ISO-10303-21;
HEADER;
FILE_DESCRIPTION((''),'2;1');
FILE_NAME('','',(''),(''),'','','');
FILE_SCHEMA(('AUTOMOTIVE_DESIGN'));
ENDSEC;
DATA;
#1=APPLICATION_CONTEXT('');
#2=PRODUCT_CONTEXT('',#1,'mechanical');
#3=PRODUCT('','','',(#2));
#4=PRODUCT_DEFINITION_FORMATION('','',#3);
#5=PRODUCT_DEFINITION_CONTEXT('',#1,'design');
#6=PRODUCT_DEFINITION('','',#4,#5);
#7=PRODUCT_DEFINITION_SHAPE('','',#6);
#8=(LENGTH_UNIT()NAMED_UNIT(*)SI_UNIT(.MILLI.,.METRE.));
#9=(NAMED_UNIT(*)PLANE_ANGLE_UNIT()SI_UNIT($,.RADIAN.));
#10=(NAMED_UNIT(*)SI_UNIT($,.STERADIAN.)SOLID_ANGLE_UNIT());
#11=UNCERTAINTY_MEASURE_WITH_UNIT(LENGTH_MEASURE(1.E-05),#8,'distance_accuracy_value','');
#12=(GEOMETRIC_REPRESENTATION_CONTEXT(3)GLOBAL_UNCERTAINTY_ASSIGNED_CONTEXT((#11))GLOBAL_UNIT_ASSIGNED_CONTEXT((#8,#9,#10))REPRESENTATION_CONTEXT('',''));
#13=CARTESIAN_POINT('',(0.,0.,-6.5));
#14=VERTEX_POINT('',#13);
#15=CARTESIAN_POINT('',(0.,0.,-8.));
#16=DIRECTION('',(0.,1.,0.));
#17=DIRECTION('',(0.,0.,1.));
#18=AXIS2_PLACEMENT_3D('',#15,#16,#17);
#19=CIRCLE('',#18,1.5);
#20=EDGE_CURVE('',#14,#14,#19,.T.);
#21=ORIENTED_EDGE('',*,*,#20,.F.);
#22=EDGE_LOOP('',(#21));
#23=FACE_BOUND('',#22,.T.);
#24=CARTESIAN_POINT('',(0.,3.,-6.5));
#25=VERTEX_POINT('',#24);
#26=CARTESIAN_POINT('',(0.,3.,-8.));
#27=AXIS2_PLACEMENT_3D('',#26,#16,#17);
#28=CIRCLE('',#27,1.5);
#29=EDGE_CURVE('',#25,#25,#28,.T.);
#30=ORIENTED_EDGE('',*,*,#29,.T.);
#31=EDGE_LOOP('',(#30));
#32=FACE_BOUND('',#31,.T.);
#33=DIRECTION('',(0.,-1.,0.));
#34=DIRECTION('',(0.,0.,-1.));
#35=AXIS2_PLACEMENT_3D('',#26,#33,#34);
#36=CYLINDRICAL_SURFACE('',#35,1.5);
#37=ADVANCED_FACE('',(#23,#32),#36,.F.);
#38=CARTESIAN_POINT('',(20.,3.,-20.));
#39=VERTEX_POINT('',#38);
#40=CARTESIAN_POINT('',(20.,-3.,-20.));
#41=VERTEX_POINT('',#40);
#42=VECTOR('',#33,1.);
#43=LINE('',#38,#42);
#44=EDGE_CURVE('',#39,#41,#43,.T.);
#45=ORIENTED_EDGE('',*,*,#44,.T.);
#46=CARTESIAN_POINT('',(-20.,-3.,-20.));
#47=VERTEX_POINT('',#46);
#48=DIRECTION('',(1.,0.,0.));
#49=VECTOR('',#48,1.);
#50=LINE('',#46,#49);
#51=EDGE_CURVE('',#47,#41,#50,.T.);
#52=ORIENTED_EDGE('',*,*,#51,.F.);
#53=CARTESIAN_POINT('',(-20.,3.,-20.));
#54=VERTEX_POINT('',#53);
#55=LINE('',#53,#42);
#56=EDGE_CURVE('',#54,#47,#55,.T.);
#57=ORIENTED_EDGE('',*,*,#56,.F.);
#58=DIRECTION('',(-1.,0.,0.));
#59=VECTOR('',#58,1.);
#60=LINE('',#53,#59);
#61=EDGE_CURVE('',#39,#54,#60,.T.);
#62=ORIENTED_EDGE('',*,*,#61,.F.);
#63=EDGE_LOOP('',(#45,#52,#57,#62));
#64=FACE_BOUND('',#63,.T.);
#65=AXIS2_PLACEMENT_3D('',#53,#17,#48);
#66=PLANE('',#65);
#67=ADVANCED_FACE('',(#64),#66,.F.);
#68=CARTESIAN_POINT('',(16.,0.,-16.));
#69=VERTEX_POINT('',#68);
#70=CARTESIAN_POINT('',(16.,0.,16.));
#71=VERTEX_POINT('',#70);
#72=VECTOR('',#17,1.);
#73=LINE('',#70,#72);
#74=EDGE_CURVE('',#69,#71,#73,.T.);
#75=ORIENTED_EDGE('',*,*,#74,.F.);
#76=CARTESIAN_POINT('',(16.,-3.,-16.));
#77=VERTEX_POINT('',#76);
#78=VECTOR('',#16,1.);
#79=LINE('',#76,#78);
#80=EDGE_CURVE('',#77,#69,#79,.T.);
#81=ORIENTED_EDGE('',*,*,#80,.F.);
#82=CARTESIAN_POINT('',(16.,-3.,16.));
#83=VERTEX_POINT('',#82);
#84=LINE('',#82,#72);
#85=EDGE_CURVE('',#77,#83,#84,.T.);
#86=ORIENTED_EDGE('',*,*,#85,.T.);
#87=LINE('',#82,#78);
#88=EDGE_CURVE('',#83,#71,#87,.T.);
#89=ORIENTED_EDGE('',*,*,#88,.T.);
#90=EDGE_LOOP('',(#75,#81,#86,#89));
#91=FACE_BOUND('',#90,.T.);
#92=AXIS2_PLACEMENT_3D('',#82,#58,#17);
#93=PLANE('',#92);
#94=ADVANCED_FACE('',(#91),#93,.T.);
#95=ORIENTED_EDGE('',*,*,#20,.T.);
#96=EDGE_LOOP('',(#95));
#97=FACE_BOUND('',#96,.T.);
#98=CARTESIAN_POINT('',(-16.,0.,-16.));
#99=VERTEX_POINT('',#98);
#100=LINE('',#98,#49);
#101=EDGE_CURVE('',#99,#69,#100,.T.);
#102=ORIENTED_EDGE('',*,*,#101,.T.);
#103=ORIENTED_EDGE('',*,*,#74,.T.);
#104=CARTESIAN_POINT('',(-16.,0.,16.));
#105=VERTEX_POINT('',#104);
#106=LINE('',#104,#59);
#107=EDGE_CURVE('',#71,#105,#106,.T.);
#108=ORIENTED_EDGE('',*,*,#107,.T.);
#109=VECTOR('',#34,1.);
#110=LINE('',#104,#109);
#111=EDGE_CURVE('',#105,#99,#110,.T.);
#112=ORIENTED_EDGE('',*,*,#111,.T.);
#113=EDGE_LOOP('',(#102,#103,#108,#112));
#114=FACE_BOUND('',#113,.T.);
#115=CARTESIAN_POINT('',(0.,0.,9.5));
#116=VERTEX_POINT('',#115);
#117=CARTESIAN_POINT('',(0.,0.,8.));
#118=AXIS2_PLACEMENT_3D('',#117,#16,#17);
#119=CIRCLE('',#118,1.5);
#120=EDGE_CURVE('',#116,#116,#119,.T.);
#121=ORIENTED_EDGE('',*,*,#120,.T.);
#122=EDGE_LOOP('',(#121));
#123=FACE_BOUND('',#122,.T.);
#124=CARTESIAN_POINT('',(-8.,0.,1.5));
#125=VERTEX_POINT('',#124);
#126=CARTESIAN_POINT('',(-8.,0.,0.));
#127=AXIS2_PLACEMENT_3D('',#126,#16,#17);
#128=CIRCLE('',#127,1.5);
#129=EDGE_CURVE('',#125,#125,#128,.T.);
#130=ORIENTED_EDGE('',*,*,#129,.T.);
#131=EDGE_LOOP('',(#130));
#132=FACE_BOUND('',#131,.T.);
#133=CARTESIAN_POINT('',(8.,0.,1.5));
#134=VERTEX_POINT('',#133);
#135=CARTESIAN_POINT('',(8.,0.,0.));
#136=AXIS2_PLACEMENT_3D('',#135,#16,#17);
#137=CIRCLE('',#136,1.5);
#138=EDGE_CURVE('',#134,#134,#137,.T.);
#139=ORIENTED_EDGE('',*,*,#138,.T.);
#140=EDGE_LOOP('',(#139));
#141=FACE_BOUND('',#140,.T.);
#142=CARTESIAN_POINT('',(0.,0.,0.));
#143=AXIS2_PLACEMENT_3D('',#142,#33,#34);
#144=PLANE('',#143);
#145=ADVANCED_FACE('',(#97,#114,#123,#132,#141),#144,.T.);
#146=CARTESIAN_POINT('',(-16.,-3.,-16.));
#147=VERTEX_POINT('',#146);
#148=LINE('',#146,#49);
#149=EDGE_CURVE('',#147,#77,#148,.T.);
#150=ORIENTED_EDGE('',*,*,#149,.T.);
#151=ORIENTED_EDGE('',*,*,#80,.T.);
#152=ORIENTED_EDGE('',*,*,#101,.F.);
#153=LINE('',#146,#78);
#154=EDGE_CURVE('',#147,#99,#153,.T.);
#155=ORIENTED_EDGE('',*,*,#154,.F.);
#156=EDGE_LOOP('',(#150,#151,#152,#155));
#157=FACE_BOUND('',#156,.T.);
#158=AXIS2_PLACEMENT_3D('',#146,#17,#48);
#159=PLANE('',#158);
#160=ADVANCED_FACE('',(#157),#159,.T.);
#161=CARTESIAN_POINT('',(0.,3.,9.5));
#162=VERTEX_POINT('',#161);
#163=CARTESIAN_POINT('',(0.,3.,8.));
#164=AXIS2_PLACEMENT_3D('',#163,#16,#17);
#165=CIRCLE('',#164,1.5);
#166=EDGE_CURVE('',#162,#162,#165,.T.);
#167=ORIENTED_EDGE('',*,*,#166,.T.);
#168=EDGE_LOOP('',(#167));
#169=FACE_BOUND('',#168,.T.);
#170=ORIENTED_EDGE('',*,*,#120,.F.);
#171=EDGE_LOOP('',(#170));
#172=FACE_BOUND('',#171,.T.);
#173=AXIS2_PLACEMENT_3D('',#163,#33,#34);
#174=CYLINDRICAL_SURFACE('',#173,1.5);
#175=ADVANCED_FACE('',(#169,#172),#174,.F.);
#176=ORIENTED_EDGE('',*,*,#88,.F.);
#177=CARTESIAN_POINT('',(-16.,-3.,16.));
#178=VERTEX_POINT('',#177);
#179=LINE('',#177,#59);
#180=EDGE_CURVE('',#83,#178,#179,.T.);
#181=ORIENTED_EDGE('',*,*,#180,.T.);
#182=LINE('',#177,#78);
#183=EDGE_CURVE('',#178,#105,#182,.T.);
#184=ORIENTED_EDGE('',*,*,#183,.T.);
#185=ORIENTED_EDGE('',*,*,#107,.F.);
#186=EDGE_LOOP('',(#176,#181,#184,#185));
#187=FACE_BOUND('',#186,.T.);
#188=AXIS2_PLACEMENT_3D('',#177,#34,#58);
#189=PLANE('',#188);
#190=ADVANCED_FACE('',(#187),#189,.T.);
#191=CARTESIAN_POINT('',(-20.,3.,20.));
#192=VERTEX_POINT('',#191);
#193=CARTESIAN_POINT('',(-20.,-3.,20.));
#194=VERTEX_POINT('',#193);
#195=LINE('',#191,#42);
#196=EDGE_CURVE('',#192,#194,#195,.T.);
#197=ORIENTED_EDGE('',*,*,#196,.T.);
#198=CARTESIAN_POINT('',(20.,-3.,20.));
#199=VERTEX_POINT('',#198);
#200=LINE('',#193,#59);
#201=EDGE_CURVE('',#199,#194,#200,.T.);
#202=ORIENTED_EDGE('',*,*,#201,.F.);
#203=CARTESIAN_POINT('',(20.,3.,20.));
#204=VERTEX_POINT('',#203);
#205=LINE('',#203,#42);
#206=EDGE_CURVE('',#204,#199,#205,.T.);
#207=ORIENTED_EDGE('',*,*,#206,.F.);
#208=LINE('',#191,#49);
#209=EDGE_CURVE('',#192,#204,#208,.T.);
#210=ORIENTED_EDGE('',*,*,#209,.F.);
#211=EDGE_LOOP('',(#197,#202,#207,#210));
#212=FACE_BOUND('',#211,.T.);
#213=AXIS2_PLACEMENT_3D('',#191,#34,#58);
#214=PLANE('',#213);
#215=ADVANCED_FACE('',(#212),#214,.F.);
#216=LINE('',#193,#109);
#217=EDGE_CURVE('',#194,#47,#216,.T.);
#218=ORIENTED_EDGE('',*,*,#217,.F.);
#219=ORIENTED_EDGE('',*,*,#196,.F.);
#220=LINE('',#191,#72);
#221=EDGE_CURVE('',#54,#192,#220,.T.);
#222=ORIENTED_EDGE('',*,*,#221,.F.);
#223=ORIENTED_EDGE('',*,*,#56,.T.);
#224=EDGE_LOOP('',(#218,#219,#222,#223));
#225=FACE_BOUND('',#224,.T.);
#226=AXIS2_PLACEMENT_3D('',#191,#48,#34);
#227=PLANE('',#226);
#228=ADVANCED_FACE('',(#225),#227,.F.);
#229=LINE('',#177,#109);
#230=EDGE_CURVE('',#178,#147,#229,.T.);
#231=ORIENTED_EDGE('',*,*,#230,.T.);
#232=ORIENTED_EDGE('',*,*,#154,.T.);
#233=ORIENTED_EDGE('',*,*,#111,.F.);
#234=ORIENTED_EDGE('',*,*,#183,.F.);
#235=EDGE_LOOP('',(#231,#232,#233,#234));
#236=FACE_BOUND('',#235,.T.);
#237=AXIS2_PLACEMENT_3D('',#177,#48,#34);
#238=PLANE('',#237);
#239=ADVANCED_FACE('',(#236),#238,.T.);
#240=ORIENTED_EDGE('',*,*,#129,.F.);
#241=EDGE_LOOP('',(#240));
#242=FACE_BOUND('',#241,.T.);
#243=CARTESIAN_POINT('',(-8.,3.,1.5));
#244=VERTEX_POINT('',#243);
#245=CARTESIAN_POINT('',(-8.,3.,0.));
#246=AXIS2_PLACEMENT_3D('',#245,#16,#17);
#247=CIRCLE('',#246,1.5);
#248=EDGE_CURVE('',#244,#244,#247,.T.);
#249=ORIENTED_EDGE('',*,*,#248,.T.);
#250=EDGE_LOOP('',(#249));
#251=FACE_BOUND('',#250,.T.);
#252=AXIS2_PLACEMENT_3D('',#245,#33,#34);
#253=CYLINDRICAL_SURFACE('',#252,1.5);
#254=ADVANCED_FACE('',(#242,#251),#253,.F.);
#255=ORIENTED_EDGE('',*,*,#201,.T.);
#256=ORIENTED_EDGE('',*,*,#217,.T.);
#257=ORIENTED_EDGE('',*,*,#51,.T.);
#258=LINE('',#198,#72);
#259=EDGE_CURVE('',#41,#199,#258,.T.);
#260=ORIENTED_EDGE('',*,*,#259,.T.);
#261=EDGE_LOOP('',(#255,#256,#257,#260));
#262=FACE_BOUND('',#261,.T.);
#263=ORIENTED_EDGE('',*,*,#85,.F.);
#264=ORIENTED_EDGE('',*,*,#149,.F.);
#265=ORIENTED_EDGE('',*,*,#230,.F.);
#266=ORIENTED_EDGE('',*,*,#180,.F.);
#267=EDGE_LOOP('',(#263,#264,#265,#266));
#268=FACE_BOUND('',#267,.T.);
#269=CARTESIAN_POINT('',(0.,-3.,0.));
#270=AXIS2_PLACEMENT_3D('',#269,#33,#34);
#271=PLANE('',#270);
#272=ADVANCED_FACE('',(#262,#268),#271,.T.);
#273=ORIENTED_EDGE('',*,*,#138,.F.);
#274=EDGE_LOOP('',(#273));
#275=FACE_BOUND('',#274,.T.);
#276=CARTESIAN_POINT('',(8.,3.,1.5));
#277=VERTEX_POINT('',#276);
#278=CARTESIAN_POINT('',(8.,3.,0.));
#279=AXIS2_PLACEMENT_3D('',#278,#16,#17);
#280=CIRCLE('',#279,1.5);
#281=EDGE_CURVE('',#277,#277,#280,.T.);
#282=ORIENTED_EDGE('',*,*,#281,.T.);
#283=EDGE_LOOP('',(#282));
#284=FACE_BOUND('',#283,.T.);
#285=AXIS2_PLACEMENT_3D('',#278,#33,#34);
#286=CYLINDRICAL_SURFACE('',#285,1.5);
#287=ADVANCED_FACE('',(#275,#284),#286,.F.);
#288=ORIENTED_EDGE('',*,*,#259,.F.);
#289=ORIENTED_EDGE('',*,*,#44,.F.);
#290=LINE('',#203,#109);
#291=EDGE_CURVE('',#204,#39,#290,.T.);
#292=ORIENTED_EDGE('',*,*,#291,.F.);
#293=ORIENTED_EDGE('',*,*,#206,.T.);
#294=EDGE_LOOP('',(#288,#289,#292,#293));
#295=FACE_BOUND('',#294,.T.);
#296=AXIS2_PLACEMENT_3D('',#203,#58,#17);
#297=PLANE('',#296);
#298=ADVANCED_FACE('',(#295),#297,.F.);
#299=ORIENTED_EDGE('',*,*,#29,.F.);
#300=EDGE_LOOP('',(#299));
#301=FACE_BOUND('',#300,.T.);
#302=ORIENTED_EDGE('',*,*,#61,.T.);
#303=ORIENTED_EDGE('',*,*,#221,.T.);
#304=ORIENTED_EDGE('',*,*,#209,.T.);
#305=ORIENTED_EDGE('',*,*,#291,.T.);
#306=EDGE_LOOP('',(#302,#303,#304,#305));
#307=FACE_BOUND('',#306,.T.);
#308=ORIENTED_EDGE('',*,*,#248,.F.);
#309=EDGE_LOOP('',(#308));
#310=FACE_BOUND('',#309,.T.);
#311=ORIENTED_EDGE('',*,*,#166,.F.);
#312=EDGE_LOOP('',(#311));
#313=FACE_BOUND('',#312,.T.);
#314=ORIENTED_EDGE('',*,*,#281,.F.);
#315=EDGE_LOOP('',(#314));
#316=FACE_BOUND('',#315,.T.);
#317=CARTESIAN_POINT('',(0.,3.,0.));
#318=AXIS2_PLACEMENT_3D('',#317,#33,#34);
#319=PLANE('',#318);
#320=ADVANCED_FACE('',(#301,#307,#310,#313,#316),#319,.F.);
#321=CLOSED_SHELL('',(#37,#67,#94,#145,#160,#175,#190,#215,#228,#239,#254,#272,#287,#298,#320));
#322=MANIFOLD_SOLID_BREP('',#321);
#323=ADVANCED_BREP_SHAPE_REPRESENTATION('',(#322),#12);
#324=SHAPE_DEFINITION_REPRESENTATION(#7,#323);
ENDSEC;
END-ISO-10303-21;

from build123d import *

# Parameters (mm, degrees)
SKETCH1_W           = 40
SKETCH1_H           = 40
SKETCH1_R           = 1.5
BOSS_EXTRUDE1_DEPTH = 3
SKETCH2_W           = 40
SKETCH2_H           = 40
SKETCH2_W_2         = 32
SKETCH2_H_2         = 32
BOSS_EXTRUDE2_DEPTH = 3


with BuildPart() as part:
    # Sketch1 → Boss-Extrude1 (new body)
    with BuildSketch(Plane(origin=(0, 0, 0), x_dir=(1, 0, 0), z_dir=(0, 1, 0))):
        Rectangle(SKETCH1_W, SKETCH1_H)
        with Locations((0, 8)):
            Circle(SKETCH1_R, mode=Mode.SUBTRACT)
        with Locations((8, 0)):
            Circle(SKETCH1_R, mode=Mode.SUBTRACT)
        with Locations((0, -8)):
            Circle(SKETCH1_R, mode=Mode.SUBTRACT)
        with Locations((-8, 0)):
            Circle(SKETCH1_R, mode=Mode.SUBTRACT)
    extrude(amount=BOSS_EXTRUDE1_DEPTH)

    # Sketch2 → Boss-Extrude2 (add)
    with BuildSketch(Plane.XZ):
        Rectangle(SKETCH2_W, SKETCH2_H)
        Rectangle(SKETCH2_W_2, SKETCH2_H_2, mode=Mode.SUBTRACT)
    extrude(amount=BOSS_EXTRUDE2_DEPTH)


solid = part.part
